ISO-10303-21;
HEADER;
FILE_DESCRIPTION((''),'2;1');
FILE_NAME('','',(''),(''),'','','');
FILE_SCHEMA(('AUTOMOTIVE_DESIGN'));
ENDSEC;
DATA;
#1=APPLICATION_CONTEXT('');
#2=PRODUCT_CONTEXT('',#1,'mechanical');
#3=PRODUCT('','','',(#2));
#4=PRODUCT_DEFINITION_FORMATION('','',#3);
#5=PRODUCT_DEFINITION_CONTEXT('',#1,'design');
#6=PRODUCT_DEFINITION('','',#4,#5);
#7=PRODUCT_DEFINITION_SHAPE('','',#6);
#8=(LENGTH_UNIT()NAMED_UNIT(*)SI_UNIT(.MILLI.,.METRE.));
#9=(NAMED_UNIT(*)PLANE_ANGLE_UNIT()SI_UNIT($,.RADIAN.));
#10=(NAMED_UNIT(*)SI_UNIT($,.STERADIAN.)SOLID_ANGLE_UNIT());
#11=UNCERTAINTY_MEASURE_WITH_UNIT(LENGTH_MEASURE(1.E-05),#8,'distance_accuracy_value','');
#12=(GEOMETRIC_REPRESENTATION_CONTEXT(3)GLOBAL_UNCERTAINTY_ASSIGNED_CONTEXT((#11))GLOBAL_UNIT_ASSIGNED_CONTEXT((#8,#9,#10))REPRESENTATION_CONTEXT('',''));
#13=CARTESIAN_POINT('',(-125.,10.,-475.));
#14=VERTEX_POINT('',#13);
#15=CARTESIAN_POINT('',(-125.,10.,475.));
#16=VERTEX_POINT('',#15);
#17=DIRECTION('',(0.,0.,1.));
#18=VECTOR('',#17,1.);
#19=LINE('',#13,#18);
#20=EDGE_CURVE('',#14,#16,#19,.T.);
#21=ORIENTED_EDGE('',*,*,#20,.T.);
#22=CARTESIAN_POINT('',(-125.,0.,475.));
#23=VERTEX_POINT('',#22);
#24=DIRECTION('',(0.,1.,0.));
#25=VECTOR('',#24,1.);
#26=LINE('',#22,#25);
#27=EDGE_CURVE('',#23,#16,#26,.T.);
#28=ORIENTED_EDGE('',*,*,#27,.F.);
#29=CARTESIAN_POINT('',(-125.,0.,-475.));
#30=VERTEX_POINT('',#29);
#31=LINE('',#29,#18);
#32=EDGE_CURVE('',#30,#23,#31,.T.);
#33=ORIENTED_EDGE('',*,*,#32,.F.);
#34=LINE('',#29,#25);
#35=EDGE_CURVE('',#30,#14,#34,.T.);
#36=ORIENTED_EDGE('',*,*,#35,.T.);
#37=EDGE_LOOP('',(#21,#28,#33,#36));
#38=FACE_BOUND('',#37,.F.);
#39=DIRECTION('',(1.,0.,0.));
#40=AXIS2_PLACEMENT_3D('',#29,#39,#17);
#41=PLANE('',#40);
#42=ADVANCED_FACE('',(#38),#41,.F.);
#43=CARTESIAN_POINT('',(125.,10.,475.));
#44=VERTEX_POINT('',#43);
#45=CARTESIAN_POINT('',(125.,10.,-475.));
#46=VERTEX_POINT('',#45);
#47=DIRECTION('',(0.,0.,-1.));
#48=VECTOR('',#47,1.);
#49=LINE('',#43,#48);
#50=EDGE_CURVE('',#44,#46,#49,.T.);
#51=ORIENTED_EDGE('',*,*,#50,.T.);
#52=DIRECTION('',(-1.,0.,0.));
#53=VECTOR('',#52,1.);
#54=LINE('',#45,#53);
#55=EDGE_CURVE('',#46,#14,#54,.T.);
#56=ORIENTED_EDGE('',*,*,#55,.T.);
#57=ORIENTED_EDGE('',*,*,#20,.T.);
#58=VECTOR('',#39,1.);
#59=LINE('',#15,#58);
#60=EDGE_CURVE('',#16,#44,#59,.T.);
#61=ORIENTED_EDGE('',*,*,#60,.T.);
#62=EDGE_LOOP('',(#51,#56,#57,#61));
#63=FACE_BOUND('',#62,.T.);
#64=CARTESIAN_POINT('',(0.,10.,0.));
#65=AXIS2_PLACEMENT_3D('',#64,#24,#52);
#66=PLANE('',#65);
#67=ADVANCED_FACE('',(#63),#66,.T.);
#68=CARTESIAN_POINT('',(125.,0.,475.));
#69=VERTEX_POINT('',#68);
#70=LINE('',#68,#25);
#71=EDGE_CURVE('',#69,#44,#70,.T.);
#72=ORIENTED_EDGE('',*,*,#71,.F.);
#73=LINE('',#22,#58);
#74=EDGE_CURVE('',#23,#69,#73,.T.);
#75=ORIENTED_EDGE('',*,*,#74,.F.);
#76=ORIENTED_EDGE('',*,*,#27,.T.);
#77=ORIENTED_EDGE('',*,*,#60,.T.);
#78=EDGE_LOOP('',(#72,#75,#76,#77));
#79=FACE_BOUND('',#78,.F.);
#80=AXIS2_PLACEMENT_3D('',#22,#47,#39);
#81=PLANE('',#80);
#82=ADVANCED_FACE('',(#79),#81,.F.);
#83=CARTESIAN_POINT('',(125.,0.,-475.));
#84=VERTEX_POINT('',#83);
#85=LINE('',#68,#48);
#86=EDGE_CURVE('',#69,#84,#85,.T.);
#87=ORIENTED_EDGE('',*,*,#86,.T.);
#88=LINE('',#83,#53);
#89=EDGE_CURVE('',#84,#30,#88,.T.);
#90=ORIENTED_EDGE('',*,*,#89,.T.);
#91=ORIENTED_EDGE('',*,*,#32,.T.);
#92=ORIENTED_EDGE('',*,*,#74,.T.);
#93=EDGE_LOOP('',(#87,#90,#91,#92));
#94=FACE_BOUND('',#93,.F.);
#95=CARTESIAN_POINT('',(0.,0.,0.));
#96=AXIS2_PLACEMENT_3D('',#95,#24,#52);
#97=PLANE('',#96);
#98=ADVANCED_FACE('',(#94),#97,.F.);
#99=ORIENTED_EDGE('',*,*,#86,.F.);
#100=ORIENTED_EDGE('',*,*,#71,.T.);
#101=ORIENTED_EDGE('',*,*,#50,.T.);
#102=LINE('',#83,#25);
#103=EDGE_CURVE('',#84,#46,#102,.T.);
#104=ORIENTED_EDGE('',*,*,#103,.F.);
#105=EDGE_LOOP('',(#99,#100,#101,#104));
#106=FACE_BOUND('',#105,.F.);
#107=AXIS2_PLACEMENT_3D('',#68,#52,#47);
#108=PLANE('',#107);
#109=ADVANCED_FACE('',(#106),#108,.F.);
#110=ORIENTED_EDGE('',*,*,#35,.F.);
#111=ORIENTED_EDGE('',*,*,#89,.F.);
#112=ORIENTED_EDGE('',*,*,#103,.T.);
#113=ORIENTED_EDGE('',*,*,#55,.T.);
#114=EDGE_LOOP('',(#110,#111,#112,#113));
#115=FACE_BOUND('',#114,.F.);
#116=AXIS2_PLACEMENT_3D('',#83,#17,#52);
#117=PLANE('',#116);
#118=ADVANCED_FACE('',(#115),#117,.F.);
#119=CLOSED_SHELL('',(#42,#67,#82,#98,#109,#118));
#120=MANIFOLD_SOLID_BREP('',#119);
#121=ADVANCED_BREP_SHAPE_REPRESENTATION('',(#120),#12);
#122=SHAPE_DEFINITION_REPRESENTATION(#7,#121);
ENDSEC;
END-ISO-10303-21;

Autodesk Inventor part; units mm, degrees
ref_plane "YZ Plane" through (0, 0, 0) normal (1, 0, 0) x (0, 1, 0)
ref_plane "XZ Plane" through (0, 0, 0) normal (0, 1, 0) x (-1, 0, 0)
ref_plane "XY Plane" through (0, 0, 0) normal (0, 0, 1) x (1, 0, 0)
sketch "Esboço1" plane through (0, 0, 0) normal (0, 1, 0) x (-1, 0, 0)
  line L0 (-125, -475) -> (125, -475)
  line L1 (125, -475) -> (125, 475)
  line L2 (125, 475) -> (-125, 475)
  line L3 (-125, 475) -> (-125, -475)
  line L4 (-125, -475) -> (125, 475) construction
  line L5 (125, -475) -> (-125, 475) construction
  point P0 (0, 0)
  dimension "d0" = 250
  dimension "d1" = 950
extrude "Extrusão1" add sketch "Esboço1" along normal blind 10
equation "\"d1\" = LENGHT - 2 * RIP_L"
equation "\"RIP_L\" = 25"
equation "\"LENGHT\" = 1000"
properties part number "shelf" material "Madeira"
